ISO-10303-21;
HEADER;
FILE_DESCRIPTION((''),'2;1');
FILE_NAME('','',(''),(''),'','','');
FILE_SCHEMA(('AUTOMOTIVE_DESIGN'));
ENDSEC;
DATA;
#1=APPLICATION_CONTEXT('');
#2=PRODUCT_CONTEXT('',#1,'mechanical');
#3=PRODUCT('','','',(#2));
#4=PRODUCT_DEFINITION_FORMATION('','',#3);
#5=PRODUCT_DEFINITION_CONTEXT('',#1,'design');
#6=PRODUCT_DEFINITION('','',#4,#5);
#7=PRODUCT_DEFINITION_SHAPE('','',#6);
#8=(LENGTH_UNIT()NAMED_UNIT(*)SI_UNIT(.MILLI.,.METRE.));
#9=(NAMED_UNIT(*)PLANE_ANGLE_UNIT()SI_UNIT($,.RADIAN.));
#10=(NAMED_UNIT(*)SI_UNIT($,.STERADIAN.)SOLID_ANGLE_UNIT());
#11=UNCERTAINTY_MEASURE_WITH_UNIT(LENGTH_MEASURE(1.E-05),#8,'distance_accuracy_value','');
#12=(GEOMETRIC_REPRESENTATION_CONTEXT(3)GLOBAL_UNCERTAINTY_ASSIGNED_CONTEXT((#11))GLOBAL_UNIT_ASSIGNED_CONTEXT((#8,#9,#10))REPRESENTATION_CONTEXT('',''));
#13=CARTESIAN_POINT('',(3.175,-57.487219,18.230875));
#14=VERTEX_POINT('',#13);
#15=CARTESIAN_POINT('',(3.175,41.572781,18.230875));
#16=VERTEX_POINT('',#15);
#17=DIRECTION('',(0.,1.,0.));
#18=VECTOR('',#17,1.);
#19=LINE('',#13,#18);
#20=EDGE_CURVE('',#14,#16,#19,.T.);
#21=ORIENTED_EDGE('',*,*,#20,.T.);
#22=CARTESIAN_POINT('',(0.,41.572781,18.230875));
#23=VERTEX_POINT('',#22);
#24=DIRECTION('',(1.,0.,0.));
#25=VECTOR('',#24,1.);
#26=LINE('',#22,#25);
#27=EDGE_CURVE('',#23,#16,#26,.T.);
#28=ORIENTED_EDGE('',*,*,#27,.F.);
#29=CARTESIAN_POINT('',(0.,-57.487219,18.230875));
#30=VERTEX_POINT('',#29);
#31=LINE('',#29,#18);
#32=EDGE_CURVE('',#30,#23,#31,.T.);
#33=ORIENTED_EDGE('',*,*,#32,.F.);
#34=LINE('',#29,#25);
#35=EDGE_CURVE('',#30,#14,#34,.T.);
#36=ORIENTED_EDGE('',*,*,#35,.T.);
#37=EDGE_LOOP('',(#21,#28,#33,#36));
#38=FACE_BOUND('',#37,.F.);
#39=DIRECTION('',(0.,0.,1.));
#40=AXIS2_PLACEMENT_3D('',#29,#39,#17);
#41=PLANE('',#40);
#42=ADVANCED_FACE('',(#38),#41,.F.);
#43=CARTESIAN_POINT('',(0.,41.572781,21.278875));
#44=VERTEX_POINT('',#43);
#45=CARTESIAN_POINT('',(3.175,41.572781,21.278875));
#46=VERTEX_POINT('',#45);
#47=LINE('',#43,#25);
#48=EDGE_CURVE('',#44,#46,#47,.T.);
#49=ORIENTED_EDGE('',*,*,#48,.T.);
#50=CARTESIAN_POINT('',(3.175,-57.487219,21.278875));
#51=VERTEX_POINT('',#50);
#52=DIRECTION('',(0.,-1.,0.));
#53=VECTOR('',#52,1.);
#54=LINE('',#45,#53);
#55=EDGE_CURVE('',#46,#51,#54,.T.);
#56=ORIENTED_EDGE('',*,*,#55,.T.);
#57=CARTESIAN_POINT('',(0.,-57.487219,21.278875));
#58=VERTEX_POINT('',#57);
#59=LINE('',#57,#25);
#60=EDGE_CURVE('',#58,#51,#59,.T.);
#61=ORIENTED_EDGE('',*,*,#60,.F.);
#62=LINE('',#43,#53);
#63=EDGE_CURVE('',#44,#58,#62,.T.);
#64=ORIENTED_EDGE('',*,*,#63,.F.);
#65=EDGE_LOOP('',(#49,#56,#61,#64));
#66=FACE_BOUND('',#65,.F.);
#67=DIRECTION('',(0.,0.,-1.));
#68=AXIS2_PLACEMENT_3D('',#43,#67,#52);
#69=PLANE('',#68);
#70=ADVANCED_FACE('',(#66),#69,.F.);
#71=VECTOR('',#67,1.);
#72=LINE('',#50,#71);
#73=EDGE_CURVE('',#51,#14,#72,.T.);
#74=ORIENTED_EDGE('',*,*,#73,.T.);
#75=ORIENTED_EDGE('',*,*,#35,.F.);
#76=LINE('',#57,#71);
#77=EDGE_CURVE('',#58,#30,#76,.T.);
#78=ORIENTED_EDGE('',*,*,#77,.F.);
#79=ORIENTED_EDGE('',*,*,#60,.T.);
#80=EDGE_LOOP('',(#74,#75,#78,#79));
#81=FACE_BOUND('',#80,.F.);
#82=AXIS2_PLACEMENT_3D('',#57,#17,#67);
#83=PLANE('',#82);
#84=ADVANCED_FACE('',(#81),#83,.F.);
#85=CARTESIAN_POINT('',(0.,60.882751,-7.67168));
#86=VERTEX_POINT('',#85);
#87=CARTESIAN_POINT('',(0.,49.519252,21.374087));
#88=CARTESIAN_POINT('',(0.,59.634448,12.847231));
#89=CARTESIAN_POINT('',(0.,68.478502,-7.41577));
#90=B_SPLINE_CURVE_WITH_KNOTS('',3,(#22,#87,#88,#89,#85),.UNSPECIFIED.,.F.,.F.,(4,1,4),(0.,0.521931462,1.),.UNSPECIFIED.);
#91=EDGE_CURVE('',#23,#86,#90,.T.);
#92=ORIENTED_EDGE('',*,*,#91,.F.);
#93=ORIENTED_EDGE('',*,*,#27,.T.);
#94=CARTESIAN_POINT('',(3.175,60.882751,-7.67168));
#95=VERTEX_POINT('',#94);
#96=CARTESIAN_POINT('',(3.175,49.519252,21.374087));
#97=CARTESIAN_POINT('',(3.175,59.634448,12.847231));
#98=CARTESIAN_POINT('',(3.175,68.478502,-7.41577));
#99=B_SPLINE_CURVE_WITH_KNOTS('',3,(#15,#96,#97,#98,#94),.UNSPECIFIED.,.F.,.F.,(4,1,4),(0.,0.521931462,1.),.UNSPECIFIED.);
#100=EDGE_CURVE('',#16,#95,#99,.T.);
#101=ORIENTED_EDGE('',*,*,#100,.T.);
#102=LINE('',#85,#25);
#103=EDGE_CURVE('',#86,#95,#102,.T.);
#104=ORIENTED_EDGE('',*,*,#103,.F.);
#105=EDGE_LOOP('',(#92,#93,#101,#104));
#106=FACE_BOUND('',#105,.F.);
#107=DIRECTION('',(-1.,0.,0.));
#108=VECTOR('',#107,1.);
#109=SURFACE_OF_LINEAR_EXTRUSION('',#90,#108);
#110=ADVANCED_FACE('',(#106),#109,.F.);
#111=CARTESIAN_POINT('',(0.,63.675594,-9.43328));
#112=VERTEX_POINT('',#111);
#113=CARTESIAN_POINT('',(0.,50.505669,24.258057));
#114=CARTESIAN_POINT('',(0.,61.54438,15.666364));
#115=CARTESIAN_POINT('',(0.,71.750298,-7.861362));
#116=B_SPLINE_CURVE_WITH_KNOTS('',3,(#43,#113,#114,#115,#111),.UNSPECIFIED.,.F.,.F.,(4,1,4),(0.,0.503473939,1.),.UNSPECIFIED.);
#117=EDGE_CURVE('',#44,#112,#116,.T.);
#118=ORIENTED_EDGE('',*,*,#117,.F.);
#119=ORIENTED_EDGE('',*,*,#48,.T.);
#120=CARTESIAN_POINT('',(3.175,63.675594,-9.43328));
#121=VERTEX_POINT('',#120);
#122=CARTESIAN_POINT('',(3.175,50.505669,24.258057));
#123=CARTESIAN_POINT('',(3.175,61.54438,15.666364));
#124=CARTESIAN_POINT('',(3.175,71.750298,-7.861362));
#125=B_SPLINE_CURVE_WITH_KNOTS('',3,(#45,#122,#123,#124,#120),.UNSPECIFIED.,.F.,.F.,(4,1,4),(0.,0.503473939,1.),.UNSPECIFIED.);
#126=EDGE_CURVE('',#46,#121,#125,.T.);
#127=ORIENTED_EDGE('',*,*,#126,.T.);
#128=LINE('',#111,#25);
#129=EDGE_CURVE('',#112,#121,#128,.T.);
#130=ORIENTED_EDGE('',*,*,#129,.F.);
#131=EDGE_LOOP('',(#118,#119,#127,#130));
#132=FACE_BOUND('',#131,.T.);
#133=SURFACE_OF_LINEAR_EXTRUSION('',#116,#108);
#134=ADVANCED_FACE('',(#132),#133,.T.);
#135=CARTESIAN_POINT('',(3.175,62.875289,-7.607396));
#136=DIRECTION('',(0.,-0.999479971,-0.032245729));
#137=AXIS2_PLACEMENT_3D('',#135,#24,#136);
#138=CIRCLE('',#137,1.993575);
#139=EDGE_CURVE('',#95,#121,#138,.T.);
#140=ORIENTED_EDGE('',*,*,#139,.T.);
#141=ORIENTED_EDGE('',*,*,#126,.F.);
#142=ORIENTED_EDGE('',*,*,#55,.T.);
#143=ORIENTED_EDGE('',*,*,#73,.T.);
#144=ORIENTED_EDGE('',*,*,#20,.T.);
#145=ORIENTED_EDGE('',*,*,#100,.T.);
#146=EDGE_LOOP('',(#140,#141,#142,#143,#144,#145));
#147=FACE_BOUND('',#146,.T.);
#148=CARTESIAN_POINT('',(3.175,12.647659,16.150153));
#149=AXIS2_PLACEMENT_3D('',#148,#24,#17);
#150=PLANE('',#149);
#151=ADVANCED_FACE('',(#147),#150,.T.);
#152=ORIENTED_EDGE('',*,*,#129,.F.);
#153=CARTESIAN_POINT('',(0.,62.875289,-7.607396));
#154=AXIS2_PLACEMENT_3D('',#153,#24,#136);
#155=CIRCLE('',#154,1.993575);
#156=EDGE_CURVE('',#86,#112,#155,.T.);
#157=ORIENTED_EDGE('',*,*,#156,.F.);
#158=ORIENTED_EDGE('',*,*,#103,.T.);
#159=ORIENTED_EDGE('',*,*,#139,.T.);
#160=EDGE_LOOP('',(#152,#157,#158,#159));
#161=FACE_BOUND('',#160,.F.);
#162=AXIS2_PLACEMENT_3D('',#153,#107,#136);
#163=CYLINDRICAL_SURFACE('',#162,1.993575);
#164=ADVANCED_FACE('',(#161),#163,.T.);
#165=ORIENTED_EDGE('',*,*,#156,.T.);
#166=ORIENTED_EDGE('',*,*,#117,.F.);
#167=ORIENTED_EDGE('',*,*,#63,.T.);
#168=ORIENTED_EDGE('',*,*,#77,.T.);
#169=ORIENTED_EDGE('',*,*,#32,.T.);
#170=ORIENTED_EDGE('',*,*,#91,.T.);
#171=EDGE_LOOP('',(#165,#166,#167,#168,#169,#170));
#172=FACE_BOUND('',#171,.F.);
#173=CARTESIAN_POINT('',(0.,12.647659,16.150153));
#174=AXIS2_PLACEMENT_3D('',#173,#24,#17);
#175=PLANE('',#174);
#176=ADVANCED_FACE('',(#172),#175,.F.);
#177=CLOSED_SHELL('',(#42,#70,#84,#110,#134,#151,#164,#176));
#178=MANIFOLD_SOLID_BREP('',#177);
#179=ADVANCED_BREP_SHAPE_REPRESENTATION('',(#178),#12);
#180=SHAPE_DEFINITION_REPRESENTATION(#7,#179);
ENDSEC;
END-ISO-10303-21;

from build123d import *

# Parameters (mm, degrees)
F1_DEPTH = 3.175


with BuildPart() as f1:
    # F0 (on Right) → F1 (new body)
    with BuildSketch(Plane.YZ):
        with BuildLine():
            Line((41.5727805566, 21.2788749112), (-57.4872194434, 21.2788749112))
            Line((-57.4872194434, 21.2788749112), (-57.4872194434, 18.2308749112))
            Line((-57.4872194434, 18.2308749112), (41.5727805566, 18.2308749112))
            add(Edge.make_bspline(
                [(41.5727805566, 18.2308749112), (49.5192518818, 21.3740867433), (59.6344478786, 12.8472307337), (68.4785019542, -7.4157701366), (60.8827510452, -7.6716801462)],
                knots=[0, 0, 0, 0, 0.5219314623, 1, 1, 1, 1], degree=3))
            ThreePointArc((60.8827510452, -7.6716801462), (61.811727417, -9.2935680541), (63.6755938667, -9.4332796962))
            add(Edge.make_bspline(
                [(41.5727805566, 21.2788749112), (50.5056689295, 24.2580571675), (61.544379535, 15.6663643407), (71.7502984163, -7.8613617778), (63.6755938667, -9.4332796962)],
                knots=[0, 0, 0, 0, 0.5034739391, 1, 1, 1, 1], degree=3))
        make_face()
    extrude(amount=F1_DEPTH)


solid = f1.part
